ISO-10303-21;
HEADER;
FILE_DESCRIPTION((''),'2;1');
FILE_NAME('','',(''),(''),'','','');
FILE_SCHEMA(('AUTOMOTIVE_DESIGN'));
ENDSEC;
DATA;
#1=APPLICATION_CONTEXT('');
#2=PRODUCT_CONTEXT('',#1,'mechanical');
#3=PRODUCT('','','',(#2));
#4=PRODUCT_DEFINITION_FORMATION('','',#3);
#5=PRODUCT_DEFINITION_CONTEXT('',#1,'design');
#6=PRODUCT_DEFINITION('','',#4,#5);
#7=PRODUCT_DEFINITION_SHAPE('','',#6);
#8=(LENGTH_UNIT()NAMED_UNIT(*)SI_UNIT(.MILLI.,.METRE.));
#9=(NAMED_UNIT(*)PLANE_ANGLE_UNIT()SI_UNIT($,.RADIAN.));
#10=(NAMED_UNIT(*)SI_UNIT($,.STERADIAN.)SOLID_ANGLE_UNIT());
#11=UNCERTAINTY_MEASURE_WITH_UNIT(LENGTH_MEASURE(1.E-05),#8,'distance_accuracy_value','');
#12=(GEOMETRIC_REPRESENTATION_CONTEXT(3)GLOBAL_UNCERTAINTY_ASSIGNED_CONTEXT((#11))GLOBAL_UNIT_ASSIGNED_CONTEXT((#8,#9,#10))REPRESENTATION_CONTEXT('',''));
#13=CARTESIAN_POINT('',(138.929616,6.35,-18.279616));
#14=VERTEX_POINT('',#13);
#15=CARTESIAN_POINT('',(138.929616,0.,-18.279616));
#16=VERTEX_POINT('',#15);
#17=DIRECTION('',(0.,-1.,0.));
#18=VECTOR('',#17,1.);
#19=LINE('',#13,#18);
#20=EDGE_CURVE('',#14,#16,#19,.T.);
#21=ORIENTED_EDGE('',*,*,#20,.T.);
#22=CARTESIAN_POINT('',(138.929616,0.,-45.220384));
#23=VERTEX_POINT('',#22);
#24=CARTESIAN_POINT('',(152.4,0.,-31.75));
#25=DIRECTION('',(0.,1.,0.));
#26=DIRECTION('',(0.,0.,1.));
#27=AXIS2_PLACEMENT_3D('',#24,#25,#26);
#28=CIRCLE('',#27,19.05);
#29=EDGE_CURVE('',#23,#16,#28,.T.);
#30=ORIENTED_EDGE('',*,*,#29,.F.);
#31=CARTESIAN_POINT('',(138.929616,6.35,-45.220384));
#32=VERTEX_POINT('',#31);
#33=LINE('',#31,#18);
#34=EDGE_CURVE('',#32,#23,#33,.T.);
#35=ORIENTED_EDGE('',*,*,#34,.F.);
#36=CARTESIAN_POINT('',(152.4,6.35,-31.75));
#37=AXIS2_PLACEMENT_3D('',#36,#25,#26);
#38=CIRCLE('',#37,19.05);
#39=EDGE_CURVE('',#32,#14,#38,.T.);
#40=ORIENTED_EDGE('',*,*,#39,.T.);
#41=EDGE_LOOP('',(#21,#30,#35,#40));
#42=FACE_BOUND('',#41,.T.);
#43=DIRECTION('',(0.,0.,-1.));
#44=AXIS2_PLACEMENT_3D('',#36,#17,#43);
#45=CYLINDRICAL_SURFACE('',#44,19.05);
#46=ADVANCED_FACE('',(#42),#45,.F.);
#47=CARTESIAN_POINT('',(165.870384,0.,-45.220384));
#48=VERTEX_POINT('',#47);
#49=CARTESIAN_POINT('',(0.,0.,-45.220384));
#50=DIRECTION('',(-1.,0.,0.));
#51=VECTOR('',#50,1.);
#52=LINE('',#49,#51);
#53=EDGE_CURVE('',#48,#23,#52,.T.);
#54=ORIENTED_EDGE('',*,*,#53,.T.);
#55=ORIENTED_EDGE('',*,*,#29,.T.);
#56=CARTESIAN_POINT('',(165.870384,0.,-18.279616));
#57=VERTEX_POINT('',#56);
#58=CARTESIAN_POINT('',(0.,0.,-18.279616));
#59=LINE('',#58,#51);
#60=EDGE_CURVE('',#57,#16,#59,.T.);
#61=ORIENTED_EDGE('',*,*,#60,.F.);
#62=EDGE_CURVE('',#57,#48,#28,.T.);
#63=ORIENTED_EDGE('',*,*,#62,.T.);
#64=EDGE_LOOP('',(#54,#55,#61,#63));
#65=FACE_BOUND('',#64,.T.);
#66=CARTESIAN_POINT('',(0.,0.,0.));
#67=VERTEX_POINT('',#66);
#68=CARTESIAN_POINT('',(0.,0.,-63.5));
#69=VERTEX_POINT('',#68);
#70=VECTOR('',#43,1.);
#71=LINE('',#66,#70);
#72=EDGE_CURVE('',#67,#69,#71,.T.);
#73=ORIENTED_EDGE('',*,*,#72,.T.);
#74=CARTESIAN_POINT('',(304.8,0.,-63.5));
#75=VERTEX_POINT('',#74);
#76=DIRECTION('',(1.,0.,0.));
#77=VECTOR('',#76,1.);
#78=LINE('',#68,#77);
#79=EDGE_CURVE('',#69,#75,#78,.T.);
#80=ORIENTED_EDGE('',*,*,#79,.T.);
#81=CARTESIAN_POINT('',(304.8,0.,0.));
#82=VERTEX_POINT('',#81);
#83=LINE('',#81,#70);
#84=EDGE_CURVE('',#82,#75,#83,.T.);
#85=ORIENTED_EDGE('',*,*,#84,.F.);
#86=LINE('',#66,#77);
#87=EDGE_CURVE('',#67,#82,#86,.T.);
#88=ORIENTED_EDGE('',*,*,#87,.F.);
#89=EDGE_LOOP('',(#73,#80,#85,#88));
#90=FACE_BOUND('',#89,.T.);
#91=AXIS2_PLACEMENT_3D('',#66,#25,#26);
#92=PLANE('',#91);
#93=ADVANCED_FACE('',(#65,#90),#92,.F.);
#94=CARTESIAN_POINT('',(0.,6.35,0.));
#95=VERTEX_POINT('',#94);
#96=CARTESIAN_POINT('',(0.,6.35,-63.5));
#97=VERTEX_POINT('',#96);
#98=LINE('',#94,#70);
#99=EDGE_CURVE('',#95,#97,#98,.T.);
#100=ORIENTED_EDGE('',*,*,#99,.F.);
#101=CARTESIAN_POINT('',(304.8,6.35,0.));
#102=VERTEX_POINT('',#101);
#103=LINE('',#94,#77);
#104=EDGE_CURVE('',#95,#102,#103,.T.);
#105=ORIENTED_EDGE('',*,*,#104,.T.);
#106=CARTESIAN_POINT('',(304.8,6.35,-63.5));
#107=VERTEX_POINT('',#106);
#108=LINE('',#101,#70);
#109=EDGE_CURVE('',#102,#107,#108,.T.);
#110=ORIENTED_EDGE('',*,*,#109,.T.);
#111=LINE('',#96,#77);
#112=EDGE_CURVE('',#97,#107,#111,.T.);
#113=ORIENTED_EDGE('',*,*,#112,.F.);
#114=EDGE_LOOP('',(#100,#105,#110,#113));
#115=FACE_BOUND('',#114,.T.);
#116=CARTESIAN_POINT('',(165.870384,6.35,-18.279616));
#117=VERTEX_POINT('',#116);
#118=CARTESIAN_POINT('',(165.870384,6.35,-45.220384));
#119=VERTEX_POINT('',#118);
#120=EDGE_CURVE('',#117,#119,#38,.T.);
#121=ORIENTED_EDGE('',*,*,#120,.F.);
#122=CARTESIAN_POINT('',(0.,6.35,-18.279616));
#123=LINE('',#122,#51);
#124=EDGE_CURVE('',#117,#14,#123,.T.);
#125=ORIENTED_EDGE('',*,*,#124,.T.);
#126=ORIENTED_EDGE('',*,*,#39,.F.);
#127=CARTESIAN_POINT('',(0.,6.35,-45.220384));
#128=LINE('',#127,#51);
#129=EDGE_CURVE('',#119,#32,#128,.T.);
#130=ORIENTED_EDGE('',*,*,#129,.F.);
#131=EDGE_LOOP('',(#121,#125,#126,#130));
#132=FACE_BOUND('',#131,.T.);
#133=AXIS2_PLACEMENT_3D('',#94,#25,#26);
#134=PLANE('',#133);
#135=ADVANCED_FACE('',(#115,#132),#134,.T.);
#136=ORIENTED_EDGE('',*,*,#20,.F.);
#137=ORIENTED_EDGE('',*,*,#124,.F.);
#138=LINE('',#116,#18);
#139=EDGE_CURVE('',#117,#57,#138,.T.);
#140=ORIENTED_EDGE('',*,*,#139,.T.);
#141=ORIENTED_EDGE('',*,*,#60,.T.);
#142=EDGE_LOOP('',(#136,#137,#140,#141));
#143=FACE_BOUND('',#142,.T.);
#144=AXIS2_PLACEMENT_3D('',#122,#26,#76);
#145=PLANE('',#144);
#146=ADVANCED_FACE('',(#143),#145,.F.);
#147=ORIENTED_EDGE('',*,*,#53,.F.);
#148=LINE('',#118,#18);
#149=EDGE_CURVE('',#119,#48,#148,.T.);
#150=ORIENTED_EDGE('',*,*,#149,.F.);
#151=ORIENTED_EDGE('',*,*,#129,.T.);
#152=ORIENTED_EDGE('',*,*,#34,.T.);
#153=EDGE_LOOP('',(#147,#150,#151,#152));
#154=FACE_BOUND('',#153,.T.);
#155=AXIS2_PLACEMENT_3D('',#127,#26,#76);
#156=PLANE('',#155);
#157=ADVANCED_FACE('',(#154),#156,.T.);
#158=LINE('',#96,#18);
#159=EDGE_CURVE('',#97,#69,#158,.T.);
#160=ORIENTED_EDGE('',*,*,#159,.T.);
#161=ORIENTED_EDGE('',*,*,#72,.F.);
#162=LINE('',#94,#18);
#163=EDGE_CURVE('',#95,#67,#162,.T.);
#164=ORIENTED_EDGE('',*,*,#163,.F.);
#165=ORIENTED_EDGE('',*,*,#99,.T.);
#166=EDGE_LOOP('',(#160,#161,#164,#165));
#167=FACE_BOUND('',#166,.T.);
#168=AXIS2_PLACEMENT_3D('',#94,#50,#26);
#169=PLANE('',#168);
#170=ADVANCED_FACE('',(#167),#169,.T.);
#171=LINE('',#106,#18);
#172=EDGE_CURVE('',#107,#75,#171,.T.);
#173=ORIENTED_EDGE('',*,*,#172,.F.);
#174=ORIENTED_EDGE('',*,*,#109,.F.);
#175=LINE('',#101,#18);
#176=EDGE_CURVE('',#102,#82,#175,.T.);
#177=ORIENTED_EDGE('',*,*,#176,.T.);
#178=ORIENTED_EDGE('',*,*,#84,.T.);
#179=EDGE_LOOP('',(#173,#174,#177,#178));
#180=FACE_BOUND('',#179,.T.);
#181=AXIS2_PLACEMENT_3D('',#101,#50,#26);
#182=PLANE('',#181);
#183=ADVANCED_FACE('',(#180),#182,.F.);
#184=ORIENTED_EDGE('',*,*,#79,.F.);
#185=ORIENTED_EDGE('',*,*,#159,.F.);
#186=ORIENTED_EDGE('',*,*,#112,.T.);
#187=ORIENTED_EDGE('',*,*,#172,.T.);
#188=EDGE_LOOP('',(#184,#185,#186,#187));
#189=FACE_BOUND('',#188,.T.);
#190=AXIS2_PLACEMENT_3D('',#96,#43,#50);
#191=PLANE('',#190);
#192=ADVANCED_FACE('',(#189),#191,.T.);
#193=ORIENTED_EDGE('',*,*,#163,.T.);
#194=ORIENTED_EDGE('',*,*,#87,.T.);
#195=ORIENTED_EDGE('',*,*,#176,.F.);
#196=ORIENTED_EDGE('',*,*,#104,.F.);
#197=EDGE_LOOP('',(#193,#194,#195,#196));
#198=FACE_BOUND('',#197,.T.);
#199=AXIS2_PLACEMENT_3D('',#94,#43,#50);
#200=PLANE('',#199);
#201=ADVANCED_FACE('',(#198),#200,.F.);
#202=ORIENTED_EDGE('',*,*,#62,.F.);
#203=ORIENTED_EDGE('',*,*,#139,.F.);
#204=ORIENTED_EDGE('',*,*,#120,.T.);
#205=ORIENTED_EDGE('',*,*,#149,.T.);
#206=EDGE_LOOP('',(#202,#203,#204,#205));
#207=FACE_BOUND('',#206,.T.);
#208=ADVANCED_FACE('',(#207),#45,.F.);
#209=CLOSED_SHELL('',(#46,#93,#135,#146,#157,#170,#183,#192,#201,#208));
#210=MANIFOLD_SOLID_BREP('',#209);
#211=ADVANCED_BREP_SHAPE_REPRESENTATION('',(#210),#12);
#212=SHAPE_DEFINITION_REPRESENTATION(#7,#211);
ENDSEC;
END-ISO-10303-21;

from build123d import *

# Parameters (mm, degrees)
SKETCH1_W           = 304.8
SKETCH1_H           = 63.5
SKETCH1_R           = 19.05
BOSS_EXTRUDE1_DEPTH = 6.35


with BuildPart() as part:
    # Sketch1 → Boss-Extrude1 (new body)
    # profile 1 of 3: a face of its own
    with BuildSketch(Plane(origin=(0, 0, 0), x_dir=(1, 0, 0), z_dir=(0, 1, 0))):
        with Locations((152.4, 31.75)):
            Rectangle(SKETCH1_W, SKETCH1_H)
        with Locations((152.4, 31.75)):
            Circle(SKETCH1_R, mode=Mode.SUBTRACT)
    # profile 2 of 3: a face of its own
    with BuildSketch(Plane(origin=(0, 0, 0), x_dir=(1, 0, 0), z_dir=(0, 1, 0))):
        with BuildLine():
            Line((138.929615818, 45.220384182), (165.870384182, 45.220384182))
            ThreePointArc((165.870384182, 45.220384182), (152.4, 50.8), (138.929615818, 45.220384182))
        make_face()
    # profile 3 of 3: a face of its own
    with BuildSketch(Plane(origin=(0, 0, 0), x_dir=(1, 0, 0), z_dir=(0, 1, 0))):
        with BuildLine():
            ThreePointArc((138.929615818, 18.279615818), (152.4, 12.7), (165.870384182, 18.279615818))
            Line((165.870384182, 18.279615818), (138.929615818, 18.279615818))
        make_face()
    extrude(amount=BOSS_EXTRUDE1_DEPTH)


solid = part.part
